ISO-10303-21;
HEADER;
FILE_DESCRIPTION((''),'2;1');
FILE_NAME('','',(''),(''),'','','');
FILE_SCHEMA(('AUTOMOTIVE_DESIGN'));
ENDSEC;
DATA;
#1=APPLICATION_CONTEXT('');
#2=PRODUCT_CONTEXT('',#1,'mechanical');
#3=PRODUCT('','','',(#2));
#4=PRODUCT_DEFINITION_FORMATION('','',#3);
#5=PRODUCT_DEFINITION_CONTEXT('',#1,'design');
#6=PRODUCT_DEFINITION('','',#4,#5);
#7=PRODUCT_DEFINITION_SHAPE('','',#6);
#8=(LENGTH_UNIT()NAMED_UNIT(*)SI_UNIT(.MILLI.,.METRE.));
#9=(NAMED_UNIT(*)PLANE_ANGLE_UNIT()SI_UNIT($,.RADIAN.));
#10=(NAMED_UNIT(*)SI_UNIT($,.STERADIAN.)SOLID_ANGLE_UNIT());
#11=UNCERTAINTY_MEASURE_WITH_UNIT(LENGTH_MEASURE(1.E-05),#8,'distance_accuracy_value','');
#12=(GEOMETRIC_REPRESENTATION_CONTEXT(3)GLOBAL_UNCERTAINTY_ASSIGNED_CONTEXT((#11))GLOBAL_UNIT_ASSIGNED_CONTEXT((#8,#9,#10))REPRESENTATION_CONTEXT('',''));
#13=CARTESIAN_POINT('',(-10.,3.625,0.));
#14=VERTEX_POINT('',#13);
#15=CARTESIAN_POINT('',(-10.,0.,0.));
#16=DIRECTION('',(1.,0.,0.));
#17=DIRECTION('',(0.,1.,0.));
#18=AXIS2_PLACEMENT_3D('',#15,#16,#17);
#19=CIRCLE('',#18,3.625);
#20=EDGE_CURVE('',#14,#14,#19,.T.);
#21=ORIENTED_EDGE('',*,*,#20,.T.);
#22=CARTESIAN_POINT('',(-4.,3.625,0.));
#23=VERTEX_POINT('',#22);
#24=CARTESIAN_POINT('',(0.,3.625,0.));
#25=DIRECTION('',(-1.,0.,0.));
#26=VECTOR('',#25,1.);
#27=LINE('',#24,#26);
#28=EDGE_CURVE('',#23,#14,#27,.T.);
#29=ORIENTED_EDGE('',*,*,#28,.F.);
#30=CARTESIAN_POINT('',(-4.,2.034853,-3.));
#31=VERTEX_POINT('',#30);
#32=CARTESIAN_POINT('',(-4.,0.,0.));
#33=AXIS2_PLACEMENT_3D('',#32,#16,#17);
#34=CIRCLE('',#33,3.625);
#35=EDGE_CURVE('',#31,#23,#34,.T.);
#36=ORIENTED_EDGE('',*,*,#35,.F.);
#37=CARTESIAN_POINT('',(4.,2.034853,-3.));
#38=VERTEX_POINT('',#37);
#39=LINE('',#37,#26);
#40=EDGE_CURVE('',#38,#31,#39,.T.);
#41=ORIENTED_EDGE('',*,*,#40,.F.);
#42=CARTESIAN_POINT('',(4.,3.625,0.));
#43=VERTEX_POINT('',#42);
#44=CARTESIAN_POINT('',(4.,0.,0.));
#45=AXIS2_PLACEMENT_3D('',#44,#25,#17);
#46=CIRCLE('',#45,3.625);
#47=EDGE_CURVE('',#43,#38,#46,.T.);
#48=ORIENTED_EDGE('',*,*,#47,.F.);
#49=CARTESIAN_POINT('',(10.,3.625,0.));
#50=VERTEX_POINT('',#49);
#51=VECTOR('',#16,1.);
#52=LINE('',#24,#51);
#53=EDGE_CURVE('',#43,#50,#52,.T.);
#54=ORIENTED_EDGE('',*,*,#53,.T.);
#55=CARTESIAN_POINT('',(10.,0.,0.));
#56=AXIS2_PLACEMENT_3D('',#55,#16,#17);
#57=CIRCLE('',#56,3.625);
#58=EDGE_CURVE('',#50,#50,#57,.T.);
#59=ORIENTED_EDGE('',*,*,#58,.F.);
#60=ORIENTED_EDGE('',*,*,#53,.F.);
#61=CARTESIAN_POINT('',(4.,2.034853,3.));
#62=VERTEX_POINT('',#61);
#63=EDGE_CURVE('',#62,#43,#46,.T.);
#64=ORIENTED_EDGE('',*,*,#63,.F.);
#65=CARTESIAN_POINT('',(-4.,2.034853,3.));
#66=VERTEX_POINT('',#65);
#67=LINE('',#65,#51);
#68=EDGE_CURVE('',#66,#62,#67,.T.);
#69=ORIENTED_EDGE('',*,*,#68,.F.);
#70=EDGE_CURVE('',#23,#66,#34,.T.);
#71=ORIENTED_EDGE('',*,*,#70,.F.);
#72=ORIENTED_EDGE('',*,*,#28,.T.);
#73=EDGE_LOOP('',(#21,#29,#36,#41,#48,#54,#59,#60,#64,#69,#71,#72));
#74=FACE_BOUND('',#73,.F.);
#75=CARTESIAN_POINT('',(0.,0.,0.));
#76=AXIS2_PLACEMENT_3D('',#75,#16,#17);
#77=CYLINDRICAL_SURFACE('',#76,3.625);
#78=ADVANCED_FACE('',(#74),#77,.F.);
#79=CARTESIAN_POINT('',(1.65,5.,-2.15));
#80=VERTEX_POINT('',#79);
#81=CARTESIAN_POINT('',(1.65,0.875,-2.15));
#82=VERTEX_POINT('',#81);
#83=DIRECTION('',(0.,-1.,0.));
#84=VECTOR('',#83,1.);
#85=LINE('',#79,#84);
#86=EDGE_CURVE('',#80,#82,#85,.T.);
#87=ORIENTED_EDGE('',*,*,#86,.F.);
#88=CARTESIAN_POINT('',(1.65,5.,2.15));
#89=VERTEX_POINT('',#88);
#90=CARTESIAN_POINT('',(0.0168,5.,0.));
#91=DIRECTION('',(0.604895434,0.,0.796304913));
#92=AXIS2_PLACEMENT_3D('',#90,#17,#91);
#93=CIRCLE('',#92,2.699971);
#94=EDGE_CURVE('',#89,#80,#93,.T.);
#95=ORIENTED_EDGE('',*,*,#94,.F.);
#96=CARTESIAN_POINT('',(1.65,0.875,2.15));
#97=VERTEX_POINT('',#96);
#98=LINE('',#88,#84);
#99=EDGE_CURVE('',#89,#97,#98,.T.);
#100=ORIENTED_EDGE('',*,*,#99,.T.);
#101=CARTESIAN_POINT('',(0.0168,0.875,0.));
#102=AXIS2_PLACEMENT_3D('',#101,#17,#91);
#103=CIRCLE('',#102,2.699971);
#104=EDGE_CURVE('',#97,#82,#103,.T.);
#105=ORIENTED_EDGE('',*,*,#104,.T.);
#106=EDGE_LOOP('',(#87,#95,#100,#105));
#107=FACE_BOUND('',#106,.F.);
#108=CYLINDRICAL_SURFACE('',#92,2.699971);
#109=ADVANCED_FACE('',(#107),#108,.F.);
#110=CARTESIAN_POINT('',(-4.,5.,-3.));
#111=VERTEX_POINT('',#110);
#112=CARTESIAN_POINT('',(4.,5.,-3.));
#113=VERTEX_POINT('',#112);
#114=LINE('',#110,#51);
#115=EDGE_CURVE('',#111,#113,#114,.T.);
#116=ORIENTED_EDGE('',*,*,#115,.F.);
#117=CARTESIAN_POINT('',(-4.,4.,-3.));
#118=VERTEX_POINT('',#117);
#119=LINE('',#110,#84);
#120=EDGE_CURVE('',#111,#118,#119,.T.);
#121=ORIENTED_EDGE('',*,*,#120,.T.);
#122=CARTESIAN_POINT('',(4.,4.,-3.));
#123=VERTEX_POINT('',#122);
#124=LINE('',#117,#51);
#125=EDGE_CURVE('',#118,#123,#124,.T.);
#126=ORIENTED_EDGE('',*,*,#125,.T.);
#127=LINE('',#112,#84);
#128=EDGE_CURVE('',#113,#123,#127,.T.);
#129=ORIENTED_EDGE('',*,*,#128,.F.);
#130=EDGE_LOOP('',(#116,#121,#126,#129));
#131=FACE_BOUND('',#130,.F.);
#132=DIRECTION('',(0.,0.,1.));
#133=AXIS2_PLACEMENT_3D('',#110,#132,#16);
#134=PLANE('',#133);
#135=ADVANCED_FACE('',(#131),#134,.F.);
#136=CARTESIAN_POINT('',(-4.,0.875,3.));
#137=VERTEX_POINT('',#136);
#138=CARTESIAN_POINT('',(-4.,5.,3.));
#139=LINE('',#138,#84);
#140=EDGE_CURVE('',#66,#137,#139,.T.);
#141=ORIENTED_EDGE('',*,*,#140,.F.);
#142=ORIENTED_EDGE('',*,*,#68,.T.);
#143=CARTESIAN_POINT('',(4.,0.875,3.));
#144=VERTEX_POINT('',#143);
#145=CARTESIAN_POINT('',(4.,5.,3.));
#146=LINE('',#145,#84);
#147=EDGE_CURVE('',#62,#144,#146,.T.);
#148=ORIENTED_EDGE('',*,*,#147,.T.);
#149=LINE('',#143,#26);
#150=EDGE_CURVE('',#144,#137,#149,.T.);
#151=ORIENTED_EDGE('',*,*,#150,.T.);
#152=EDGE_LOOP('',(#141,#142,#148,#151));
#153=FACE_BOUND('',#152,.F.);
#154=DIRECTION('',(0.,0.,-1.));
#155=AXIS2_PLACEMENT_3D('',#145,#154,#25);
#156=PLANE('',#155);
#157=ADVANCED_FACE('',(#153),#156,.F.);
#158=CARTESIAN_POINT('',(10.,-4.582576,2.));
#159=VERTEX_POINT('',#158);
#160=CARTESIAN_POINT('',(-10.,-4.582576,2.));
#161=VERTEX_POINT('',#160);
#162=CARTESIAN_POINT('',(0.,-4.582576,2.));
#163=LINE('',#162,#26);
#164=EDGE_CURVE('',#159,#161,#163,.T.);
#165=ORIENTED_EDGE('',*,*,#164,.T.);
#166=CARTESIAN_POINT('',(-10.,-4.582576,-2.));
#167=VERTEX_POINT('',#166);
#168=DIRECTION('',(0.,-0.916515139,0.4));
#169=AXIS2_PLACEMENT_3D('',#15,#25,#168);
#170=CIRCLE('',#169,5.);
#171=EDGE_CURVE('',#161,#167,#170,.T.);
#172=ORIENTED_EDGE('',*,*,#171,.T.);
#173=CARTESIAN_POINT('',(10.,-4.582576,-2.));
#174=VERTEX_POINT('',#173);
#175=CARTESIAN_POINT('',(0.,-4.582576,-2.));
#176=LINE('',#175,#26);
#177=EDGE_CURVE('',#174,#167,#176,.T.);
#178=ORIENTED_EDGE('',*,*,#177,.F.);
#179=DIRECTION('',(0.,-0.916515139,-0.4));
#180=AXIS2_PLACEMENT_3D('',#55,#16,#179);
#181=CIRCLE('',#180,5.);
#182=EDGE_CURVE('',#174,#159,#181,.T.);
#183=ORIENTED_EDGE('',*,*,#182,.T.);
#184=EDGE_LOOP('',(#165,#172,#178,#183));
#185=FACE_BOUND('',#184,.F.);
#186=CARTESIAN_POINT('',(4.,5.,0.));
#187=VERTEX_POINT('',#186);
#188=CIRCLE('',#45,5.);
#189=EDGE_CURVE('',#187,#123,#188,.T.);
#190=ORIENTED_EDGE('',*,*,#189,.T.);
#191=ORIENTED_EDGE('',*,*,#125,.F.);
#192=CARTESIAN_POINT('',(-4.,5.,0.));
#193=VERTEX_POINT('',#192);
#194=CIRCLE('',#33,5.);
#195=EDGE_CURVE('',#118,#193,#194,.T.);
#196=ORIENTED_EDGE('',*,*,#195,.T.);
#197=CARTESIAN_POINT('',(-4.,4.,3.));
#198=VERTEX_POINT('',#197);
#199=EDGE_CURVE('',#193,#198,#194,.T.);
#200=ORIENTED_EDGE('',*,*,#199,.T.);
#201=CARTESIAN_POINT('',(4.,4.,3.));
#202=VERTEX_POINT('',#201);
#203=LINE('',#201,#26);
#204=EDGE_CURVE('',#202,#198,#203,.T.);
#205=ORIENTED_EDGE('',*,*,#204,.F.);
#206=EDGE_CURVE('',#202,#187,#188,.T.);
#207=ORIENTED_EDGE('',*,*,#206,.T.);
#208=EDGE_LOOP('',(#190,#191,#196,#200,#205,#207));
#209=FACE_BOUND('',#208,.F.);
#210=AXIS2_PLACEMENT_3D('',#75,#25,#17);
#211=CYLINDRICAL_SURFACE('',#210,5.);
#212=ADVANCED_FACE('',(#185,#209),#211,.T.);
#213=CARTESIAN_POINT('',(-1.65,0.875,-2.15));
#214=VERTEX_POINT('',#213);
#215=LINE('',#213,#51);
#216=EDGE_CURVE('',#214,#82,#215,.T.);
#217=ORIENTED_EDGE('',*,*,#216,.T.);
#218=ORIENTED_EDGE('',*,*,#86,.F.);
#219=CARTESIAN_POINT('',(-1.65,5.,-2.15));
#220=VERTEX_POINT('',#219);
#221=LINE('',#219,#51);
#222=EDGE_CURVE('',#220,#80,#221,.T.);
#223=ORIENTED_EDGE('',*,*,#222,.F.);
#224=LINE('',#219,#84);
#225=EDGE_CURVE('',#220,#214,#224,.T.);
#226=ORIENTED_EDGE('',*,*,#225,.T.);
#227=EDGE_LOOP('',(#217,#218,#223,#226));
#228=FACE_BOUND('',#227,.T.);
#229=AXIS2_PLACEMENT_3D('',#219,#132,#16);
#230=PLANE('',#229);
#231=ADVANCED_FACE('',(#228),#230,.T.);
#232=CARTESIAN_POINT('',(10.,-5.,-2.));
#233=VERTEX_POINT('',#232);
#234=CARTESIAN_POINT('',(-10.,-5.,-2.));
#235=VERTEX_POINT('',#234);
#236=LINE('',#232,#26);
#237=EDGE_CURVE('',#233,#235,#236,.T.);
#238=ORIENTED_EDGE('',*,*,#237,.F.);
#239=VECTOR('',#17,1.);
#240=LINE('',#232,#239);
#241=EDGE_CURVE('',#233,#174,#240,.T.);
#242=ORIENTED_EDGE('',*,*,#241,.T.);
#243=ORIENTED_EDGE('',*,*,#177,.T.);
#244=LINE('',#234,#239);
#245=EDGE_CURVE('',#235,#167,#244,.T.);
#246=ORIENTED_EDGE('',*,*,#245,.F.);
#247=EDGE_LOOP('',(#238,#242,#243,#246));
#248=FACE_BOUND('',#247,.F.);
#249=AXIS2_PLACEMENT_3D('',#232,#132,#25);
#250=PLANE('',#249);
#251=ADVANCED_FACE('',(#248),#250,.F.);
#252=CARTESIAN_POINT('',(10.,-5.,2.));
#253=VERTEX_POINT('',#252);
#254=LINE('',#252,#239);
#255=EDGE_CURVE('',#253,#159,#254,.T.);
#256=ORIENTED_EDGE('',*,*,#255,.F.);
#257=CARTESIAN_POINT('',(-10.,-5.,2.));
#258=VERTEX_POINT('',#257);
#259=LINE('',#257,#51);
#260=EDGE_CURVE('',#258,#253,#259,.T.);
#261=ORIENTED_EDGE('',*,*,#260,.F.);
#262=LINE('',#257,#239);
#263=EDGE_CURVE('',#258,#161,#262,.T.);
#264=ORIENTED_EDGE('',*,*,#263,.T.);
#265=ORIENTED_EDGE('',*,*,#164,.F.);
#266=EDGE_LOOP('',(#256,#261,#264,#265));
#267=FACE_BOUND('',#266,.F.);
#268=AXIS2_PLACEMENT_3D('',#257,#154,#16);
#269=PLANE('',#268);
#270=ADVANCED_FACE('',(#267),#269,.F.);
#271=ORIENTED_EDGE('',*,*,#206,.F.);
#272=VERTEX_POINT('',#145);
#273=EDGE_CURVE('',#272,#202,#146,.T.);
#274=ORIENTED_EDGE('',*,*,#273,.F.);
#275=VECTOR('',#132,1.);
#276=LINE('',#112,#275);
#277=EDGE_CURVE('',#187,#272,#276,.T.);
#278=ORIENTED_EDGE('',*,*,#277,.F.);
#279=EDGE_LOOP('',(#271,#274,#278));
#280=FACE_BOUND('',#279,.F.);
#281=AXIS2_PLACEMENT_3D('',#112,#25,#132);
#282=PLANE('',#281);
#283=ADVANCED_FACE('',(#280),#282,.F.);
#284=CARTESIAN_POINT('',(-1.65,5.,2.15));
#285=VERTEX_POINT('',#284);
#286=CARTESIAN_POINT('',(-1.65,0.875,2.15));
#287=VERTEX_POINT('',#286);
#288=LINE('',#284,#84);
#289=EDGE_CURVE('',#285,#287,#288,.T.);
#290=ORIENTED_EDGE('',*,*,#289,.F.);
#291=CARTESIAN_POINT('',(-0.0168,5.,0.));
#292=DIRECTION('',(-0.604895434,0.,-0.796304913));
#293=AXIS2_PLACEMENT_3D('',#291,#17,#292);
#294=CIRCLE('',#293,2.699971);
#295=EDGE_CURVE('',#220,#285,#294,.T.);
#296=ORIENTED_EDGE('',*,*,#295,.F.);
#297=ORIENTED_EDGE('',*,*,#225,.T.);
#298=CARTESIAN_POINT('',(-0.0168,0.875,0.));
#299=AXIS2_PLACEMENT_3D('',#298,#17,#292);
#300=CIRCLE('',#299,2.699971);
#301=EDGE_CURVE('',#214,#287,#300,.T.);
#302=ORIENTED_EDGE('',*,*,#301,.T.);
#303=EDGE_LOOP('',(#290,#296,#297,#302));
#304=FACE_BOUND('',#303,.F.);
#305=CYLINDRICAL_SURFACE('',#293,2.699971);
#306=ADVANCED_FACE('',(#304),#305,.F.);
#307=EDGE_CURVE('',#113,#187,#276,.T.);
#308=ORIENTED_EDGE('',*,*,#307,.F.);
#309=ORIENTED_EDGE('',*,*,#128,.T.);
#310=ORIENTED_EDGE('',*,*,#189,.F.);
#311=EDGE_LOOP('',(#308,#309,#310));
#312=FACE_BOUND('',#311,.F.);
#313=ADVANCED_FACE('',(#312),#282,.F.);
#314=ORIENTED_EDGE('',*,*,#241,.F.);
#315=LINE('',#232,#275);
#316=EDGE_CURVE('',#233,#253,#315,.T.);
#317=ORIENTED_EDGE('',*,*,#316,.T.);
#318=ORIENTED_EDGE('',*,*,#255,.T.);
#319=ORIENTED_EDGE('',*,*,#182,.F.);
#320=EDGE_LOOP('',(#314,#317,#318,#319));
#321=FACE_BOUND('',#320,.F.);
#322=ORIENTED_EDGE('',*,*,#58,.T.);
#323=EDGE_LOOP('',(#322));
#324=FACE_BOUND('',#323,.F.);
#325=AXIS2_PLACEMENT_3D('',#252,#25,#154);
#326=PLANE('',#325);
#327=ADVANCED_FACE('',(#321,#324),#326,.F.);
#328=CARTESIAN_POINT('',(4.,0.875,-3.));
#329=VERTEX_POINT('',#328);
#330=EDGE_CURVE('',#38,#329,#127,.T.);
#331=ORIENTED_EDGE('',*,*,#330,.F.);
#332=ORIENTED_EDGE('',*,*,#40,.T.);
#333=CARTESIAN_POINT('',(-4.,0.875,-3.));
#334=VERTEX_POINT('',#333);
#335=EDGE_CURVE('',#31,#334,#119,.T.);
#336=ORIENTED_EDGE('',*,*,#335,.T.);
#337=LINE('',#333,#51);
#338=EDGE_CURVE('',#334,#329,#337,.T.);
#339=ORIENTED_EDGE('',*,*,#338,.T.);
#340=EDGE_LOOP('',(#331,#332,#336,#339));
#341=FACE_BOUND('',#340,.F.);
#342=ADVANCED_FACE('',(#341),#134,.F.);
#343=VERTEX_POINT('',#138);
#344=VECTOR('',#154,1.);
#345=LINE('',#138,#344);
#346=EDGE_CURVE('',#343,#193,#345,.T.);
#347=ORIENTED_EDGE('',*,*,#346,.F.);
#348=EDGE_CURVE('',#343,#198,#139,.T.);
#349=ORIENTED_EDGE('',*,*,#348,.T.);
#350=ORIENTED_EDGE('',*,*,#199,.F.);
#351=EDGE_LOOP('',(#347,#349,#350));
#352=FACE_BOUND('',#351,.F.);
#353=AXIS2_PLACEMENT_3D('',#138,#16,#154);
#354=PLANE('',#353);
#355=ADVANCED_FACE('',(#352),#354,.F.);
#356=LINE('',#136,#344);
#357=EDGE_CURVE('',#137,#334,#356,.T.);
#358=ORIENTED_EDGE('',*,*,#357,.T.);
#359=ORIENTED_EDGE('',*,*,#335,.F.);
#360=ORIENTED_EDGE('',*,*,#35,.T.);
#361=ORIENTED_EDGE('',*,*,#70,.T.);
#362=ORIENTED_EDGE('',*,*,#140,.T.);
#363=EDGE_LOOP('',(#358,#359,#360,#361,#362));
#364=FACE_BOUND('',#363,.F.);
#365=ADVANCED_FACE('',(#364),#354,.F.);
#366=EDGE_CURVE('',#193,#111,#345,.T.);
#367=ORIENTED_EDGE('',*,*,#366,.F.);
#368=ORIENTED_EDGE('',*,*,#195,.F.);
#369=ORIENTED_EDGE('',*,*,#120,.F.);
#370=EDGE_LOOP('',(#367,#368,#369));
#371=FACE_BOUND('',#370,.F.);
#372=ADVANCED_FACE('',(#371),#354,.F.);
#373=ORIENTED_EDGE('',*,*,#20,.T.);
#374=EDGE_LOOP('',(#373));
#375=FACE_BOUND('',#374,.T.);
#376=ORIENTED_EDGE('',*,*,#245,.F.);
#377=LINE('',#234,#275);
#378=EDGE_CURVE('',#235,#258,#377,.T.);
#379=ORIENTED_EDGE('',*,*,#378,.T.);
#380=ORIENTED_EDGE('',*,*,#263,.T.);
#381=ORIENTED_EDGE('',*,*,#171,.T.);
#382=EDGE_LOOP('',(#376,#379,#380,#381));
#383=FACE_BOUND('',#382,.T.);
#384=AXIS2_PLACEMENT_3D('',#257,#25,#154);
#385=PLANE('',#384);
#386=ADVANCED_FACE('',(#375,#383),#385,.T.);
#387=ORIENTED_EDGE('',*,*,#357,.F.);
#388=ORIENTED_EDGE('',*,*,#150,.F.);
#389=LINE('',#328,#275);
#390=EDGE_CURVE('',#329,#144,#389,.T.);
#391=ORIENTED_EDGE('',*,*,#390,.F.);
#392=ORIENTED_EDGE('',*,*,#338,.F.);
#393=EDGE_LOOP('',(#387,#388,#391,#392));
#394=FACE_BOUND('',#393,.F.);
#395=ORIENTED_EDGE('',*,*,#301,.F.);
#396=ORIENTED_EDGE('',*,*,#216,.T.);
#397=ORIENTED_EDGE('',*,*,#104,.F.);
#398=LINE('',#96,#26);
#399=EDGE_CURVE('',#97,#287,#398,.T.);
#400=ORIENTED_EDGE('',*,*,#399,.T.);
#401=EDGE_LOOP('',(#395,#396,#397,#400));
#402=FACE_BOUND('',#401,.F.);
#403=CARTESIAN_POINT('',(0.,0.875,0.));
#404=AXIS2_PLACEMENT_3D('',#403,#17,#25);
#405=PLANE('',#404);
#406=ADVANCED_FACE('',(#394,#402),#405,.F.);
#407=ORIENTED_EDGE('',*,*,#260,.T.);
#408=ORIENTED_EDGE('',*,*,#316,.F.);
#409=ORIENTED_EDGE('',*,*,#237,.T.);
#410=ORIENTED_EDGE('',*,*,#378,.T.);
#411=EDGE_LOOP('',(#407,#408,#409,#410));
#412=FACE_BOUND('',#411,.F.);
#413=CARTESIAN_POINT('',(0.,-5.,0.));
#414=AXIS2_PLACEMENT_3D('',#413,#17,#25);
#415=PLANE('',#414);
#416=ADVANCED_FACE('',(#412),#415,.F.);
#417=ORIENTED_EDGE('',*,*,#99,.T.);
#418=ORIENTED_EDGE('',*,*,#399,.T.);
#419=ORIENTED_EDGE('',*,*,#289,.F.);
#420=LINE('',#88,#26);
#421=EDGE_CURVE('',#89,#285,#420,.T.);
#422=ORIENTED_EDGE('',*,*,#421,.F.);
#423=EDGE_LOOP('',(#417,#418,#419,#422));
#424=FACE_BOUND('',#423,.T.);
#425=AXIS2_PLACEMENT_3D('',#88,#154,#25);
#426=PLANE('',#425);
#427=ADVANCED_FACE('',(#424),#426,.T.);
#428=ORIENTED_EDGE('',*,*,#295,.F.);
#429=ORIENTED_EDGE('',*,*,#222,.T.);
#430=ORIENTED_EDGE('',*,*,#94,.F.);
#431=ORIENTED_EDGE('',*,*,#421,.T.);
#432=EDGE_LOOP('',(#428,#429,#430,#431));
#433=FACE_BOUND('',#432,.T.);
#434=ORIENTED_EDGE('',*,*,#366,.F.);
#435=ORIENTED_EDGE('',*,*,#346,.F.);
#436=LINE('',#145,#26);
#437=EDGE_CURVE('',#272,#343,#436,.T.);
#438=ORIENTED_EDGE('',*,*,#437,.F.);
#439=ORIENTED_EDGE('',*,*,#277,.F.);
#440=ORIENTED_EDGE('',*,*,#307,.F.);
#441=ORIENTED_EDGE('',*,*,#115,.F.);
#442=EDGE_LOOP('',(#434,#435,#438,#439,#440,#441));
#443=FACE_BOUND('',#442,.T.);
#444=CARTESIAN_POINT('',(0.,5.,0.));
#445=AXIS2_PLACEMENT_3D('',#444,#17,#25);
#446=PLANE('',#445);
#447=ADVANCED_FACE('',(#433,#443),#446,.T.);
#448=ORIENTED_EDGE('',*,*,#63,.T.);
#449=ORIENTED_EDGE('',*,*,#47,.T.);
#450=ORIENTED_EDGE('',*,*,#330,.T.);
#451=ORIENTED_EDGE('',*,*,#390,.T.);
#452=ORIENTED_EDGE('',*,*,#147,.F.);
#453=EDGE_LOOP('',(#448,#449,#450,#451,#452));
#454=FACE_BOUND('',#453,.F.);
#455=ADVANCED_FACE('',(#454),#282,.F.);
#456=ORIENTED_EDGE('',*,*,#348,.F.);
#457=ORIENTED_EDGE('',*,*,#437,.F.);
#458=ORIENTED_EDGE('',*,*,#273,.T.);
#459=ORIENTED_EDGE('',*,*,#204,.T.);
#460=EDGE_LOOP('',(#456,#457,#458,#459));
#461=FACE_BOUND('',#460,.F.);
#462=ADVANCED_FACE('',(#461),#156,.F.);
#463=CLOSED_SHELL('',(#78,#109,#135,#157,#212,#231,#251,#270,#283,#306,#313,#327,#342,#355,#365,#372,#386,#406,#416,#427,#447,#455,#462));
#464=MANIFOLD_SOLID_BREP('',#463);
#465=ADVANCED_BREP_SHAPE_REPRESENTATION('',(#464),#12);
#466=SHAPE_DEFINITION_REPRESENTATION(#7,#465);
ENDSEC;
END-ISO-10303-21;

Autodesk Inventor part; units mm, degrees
ref_plane "YZ Plane" through (0, 0, 0) normal (1, 0, 0) x (0, 1, 0)
ref_plane "XY Plane" through (0, 0, 0) normal (0, 0, 1) x (1, 0, 0)
sketch "Sketch1" plane through (0, 0, 0) normal (1, 0, 0) x (0, 1, 0)
  circle A0 centre (0, 0) radius 3.625
  circle A1 centre (0, 0) radius 5
  dimension "d0" = 7.25
  dimension "d1" = 10
extrude "Extrusion1" add sketch "Sketch1" along normal mid plane 20
ref_plane "Work Plane1" through (0, 5, 0) normal (0, 1, 0) x (-1, 0, 0)
sketch "Sketch2" plane through (0, 5, 0) normal (0, 1, 0) x (-1, 0, 0)
  line L0 (-1.65, 2.15) -> (1.65, 2.15)
  line L1 (1.65, 2.15) -> (1.65, -2.15)
  line L2 (1.65, -2.15) -> (-1.65, -2.15)
  line L3 (-1.65, -2.15) -> (-1.65, 2.15)
  line L4 (-1.65, 2.15) -> (1.65, -2.15) construction
  line L5 (1.65, 2.15) -> (-1.65, -2.15) construction
  line L6 (-4, 3) -> (4, 3)
  line L7 (4, 3) -> (4, -3)
  line L8 (4, -3) -> (-4, -3)
  line L9 (-4, -3) -> (-4, 3)
  line L10 (-4, 3) -> (4, -3) construction
  line L11 (4, 3) -> (-4, -3) construction
  arc A0 (1.65, -2.15) -> (1.65, 2.15) centre (0.0168, 0) ccw
  arc A1 (-1.65, 2.15) -> (-1.65, -2.15) centre (-0.0168, 0) ccw
  point P0 (0, 0)
  dimension "d4" = 3.3
  dimension "d5" = 4.3
  dimension "d9" = 8
  dimension "d10" = 6
  dimension "d15" = 2.7
  dimension "d16" = 2.7
extrude "Extrusion2" add sketch "Sketch2" against normal blind 4.125 contours L0 L1 L2 L3 | L3 A1 | A0 L1 | L6 L7 L8 L9
extrude "Extrusion3" cut sketch "Sketch2" against normal up to surface (4.125 mm away) contours L0 L1 L2 L3 | L3 A1 | A0 L1
ref_plane "Work Plane2" through (0, -5, 0) normal (0, 1, 0) x (-1, 0, 0)
sketch "Sketch3" plane through (0, -5, 0) normal (0, 1, 0) x (-1, 0, 0)
  line L0 (10, 3.625) -> (10, -3.625) projected
  line L1 (-10, 5) -> (-10, -5) projected
  line L2 (10, 2) -> (-10, 2)
  line L3 (-10, 2) -> (-10, -2)
  line L4 (-10, -2) -> (10, -2)
  line L5 (10, -2) -> (10, 2)
  point P0 (0, 0)
  point P1 (0, 2)
  dimension "d17" = 4
  dimension "d18" = 2
extrude "Extrusion4" add sketch "Sketch3" along normal blind 1
properties part number "part_holder"
